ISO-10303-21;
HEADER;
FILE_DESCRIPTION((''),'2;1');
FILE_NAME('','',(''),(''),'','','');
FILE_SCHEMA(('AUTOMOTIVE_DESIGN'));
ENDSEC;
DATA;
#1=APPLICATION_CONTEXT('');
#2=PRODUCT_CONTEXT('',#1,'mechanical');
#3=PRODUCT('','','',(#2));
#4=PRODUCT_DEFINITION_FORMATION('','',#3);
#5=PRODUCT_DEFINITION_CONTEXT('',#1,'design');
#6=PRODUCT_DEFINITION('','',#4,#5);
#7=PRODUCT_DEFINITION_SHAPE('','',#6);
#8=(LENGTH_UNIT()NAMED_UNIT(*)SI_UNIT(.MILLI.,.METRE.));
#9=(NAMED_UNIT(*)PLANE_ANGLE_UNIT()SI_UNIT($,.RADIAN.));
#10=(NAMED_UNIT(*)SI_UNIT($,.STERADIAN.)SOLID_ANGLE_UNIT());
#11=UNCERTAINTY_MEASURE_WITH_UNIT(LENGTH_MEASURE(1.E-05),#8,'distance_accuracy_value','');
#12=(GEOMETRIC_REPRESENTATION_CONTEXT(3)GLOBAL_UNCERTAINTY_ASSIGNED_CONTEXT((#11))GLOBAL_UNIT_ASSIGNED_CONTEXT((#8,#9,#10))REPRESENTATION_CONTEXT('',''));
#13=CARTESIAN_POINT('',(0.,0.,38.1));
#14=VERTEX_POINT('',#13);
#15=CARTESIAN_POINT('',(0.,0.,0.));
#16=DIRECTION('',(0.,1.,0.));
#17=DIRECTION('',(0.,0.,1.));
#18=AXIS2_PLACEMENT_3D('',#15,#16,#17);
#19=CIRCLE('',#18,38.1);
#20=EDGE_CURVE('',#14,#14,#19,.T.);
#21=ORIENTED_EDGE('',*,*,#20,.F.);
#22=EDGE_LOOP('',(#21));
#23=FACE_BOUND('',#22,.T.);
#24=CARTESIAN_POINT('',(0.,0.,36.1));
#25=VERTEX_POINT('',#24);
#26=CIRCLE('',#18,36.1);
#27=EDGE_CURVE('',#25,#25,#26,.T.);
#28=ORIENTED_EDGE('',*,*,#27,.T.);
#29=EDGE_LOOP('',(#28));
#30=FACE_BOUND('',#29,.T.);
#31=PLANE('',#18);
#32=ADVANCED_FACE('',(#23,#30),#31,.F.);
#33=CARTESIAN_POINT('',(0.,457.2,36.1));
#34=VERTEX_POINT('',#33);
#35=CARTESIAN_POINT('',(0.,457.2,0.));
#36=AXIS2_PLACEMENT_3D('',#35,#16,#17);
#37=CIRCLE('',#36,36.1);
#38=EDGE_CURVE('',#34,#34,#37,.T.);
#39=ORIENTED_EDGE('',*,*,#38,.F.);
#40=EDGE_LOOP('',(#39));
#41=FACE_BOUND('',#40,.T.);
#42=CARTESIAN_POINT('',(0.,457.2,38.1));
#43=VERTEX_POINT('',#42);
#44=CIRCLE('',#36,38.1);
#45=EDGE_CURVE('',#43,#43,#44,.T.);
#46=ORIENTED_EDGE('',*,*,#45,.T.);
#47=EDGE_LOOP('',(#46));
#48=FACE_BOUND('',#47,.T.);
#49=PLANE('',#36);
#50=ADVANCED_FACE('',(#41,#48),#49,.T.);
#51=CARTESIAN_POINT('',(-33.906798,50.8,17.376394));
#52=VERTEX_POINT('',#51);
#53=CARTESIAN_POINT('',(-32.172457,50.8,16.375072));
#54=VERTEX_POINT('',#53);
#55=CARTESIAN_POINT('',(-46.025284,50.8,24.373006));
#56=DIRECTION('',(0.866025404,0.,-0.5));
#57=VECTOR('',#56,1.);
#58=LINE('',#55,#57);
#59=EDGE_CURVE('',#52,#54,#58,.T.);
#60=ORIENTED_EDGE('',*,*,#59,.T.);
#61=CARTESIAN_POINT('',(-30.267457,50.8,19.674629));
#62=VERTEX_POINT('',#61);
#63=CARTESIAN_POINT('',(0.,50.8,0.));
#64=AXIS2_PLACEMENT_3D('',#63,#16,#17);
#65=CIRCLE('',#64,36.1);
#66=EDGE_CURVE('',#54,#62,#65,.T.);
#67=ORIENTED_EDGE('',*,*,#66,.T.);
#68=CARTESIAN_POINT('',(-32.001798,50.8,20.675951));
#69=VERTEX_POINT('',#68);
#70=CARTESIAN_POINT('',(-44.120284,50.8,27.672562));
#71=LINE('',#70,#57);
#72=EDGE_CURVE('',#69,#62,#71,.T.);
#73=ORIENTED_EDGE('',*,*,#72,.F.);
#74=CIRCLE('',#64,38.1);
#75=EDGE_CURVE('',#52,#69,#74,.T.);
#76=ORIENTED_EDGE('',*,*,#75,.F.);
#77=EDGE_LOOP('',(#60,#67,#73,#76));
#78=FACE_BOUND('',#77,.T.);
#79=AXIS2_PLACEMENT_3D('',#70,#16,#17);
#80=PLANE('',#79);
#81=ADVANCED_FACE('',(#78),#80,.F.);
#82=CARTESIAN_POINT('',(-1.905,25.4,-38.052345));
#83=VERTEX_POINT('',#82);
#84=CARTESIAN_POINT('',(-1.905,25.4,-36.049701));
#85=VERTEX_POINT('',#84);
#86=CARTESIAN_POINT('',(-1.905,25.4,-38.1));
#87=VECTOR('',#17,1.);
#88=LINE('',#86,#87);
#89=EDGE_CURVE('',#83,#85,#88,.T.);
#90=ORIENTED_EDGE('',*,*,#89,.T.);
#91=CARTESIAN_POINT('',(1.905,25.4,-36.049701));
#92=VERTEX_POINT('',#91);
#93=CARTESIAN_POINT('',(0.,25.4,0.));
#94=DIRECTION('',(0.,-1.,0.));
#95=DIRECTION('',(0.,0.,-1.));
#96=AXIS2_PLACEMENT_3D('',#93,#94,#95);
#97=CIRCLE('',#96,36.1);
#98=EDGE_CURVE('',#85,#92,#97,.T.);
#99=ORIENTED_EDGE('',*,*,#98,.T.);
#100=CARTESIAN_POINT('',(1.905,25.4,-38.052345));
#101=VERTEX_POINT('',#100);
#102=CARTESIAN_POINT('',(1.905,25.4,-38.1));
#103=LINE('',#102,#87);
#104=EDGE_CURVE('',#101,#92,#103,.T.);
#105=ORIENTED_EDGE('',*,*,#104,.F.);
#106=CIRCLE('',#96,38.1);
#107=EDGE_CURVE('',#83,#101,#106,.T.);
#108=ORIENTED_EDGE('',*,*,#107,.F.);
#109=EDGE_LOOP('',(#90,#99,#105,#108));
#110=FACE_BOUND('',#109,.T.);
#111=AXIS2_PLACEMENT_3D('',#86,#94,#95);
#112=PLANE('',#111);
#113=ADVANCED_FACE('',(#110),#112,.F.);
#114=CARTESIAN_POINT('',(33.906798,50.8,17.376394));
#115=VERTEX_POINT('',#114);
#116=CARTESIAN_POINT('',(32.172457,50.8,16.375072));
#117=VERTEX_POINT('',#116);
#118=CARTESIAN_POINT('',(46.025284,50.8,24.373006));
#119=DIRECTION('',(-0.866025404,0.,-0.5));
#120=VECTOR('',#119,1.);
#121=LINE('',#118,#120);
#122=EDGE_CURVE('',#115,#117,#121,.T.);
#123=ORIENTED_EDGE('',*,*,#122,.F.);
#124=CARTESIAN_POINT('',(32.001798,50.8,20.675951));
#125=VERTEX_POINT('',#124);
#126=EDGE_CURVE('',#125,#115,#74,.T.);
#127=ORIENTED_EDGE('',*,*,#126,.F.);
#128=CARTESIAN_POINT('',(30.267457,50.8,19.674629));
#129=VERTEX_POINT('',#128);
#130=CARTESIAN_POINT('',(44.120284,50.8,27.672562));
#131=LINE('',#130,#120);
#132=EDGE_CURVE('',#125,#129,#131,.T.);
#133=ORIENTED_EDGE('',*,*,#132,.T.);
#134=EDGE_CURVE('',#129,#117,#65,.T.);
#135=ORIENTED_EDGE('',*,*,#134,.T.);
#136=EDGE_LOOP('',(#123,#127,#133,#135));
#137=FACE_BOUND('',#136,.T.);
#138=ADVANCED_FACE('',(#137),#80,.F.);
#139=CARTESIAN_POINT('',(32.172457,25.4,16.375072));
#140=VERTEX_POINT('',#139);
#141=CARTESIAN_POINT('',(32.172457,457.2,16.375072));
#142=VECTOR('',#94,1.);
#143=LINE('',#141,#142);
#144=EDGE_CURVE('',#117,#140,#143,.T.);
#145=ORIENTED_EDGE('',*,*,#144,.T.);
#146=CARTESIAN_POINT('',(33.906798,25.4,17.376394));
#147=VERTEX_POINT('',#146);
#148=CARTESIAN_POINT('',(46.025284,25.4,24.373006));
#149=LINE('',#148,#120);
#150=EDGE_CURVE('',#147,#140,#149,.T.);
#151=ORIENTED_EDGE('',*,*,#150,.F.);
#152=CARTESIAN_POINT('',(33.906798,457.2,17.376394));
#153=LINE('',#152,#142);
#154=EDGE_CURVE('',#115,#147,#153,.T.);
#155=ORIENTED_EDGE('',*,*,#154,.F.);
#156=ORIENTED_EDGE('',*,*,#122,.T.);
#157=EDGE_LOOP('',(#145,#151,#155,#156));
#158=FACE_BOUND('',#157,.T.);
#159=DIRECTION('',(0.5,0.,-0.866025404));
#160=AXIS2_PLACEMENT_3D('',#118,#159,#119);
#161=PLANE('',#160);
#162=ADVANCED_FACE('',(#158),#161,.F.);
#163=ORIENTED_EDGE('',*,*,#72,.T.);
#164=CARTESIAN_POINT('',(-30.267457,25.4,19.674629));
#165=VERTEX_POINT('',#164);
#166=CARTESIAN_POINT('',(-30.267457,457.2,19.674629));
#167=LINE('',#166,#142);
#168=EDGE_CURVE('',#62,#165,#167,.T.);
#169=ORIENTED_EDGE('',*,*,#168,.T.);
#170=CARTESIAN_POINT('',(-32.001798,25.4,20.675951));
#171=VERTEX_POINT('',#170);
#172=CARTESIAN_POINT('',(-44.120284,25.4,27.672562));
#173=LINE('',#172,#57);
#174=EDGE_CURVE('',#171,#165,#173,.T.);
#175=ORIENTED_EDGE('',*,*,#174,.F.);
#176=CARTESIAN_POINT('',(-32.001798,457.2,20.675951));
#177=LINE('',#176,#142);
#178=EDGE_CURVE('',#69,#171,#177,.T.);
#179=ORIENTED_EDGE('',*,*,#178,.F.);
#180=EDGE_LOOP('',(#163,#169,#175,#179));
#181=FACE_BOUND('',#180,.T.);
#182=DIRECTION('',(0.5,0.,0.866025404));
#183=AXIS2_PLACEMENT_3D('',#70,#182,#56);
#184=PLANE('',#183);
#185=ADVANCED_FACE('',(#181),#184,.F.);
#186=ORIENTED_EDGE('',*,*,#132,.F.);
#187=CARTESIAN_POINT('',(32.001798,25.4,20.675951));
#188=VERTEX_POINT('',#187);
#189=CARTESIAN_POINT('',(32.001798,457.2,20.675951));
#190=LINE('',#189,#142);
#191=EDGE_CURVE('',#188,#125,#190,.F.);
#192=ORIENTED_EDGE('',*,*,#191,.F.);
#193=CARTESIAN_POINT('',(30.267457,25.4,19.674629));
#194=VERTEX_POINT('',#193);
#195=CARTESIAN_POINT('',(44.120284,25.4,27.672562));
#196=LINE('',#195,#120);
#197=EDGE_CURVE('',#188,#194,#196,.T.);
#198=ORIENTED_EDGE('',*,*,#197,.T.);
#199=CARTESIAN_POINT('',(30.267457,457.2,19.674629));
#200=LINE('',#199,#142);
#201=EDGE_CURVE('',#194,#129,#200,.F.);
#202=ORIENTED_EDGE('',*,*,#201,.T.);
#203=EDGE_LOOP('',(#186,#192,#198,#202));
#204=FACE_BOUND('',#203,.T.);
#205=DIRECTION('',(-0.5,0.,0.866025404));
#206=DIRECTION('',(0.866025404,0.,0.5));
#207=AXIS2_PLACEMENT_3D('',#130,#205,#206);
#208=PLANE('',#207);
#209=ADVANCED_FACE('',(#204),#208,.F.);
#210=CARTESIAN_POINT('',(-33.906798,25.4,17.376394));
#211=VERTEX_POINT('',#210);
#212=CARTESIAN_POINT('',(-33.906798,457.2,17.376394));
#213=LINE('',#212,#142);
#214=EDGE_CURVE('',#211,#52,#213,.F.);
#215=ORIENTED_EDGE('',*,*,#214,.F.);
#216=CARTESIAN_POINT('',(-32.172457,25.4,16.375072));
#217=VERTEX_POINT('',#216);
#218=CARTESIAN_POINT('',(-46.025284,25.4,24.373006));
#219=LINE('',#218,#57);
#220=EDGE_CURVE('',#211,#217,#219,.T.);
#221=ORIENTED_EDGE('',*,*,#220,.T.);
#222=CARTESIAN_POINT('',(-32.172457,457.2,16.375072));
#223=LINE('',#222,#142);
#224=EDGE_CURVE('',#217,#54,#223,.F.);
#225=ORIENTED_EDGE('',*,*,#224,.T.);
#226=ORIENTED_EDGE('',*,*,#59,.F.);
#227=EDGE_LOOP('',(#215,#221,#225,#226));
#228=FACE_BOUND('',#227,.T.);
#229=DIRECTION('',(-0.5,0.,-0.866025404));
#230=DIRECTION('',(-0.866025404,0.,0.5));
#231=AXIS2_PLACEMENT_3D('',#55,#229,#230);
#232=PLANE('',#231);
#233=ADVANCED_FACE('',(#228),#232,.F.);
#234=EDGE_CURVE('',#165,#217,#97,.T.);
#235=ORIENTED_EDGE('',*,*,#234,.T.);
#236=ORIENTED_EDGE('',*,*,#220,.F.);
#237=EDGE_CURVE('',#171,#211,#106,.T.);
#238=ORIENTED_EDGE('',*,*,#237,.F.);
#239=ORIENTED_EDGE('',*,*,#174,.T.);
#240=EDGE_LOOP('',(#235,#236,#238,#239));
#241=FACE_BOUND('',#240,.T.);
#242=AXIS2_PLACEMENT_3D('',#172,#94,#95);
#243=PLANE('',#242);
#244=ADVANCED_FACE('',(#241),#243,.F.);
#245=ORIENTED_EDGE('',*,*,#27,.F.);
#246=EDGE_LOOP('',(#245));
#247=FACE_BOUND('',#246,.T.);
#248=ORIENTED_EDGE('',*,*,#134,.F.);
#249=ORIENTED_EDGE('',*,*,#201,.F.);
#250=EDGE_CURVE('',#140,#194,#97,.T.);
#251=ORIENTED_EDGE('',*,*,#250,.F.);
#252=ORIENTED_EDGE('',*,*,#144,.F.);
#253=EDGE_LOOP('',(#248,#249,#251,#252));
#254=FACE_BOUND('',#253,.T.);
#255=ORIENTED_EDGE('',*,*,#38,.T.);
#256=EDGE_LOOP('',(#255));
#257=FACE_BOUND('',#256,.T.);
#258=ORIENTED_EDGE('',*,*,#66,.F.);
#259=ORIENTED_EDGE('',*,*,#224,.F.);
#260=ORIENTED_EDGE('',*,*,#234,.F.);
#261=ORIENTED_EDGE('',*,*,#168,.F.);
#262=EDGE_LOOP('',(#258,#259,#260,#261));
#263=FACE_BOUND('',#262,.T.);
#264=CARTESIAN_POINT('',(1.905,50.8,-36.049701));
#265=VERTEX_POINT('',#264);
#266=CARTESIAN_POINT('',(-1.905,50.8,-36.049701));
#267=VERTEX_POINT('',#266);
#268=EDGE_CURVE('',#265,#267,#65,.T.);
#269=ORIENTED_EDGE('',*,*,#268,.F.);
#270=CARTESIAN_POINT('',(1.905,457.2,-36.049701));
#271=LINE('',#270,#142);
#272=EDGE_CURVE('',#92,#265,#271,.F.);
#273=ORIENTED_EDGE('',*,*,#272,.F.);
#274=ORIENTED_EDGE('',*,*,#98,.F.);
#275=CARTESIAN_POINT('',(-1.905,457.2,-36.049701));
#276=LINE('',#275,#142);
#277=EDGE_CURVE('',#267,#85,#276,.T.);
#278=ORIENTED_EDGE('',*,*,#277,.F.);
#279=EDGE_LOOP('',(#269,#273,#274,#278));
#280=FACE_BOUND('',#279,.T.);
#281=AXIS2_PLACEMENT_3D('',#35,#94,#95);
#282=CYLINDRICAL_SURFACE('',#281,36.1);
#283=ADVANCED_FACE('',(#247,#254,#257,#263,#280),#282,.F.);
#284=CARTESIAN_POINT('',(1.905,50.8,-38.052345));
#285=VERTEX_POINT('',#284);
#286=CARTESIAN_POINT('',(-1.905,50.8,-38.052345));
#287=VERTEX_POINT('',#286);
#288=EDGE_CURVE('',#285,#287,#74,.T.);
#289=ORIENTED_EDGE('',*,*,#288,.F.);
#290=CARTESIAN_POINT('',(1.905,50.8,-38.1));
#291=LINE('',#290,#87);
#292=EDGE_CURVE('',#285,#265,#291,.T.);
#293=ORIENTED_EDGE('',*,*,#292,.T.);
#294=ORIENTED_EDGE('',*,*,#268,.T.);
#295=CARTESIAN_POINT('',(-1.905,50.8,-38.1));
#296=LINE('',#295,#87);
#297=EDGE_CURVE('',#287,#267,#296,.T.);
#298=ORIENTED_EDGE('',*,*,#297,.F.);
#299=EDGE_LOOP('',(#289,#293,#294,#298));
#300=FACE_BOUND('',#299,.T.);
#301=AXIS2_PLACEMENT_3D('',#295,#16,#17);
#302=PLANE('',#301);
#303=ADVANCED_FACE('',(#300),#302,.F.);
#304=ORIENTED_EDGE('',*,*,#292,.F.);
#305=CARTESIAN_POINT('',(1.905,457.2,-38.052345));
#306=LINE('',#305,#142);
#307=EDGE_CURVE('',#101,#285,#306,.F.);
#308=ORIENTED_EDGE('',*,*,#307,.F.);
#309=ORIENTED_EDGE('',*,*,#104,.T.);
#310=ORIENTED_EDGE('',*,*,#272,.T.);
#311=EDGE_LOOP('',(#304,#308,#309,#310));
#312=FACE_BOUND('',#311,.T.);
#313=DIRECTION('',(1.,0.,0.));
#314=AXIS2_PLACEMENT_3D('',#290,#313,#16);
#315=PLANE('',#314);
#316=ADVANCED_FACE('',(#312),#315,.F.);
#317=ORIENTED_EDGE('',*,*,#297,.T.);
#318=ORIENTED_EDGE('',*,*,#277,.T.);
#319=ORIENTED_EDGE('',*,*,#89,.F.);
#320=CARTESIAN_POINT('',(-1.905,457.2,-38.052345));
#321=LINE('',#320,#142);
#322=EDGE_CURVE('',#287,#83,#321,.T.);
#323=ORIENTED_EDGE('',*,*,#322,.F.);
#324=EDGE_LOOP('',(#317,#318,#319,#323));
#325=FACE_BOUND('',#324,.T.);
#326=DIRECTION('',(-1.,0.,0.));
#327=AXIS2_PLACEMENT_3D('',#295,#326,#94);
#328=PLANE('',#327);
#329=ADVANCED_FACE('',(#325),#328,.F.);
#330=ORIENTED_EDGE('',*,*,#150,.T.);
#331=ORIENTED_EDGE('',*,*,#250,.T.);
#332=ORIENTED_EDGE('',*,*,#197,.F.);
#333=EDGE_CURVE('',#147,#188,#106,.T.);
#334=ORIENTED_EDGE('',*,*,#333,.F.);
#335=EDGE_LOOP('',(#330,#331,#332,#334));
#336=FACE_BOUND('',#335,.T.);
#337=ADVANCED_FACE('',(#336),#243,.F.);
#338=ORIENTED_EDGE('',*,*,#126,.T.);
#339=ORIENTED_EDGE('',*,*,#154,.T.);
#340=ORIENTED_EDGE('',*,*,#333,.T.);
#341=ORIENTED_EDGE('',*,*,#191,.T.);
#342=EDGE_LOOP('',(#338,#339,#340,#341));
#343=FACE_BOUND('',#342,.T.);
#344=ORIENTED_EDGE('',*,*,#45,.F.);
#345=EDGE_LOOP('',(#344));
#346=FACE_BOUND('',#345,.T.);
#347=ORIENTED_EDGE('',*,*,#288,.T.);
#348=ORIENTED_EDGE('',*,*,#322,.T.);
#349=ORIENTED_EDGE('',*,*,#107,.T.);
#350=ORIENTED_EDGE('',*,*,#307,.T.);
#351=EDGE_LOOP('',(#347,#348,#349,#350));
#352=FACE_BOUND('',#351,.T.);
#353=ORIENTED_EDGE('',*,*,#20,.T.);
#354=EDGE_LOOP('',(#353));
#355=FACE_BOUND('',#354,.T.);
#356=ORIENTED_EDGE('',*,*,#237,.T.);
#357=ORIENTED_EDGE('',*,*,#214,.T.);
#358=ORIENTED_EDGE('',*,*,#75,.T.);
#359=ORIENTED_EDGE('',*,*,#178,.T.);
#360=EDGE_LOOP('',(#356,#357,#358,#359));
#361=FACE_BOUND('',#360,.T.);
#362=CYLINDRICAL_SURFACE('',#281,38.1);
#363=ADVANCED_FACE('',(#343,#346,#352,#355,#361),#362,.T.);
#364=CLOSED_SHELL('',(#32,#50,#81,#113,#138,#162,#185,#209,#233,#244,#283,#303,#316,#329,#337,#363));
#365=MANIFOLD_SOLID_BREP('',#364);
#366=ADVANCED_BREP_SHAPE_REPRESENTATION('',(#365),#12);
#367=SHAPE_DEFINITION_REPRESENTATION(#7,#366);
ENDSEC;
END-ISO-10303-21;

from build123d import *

# Parameters (mm, degrees)
SKETCH1_R           = 38.1
SKETCH1_R_2         = 36.1
BOSS_EXTRUDE1_DEPTH = 457.2
SKETCH2_W           = 3.81
SKETCH2_H           = 25.4
CUT_EXTRUDE1_DEPTH  = 39.1
CIRPATTERN1_COUNT   = 3


with BuildPart() as part:
    # Sketch1 → Boss-Extrude1 (new body)
    with BuildSketch(Plane(origin=(0, 0, 0), x_dir=(1, 0, 0), z_dir=(0, 1, 0))):
        Circle(SKETCH1_R)
        Circle(SKETCH1_R_2, mode=Mode.SUBTRACT)
    extrude(amount=BOSS_EXTRUDE1_DEPTH)

    # Sketch2 → Cut-Extrude1 (cut, through all)
    with BuildSketch(Plane.XY):
        with Locations((0, 38.1)):
            Rectangle(SKETCH2_W, SKETCH2_H)
    cut_extrude1 = extrude(amount=-CUT_EXTRUDE1_DEPTH, mode=Mode.SUBTRACT)

    # CirPattern1: Cut-Extrude1 ×3 about axis
    cirpattern1_axis = Axis((0, 0, 0), (0, 1, 0))
    for i in range(1, CIRPATTERN1_COUNT):
        add(cut_extrude1.rotate(cirpattern1_axis, i * 360 / CIRPATTERN1_COUNT), mode=Mode.SUBTRACT)


solid = part.part
